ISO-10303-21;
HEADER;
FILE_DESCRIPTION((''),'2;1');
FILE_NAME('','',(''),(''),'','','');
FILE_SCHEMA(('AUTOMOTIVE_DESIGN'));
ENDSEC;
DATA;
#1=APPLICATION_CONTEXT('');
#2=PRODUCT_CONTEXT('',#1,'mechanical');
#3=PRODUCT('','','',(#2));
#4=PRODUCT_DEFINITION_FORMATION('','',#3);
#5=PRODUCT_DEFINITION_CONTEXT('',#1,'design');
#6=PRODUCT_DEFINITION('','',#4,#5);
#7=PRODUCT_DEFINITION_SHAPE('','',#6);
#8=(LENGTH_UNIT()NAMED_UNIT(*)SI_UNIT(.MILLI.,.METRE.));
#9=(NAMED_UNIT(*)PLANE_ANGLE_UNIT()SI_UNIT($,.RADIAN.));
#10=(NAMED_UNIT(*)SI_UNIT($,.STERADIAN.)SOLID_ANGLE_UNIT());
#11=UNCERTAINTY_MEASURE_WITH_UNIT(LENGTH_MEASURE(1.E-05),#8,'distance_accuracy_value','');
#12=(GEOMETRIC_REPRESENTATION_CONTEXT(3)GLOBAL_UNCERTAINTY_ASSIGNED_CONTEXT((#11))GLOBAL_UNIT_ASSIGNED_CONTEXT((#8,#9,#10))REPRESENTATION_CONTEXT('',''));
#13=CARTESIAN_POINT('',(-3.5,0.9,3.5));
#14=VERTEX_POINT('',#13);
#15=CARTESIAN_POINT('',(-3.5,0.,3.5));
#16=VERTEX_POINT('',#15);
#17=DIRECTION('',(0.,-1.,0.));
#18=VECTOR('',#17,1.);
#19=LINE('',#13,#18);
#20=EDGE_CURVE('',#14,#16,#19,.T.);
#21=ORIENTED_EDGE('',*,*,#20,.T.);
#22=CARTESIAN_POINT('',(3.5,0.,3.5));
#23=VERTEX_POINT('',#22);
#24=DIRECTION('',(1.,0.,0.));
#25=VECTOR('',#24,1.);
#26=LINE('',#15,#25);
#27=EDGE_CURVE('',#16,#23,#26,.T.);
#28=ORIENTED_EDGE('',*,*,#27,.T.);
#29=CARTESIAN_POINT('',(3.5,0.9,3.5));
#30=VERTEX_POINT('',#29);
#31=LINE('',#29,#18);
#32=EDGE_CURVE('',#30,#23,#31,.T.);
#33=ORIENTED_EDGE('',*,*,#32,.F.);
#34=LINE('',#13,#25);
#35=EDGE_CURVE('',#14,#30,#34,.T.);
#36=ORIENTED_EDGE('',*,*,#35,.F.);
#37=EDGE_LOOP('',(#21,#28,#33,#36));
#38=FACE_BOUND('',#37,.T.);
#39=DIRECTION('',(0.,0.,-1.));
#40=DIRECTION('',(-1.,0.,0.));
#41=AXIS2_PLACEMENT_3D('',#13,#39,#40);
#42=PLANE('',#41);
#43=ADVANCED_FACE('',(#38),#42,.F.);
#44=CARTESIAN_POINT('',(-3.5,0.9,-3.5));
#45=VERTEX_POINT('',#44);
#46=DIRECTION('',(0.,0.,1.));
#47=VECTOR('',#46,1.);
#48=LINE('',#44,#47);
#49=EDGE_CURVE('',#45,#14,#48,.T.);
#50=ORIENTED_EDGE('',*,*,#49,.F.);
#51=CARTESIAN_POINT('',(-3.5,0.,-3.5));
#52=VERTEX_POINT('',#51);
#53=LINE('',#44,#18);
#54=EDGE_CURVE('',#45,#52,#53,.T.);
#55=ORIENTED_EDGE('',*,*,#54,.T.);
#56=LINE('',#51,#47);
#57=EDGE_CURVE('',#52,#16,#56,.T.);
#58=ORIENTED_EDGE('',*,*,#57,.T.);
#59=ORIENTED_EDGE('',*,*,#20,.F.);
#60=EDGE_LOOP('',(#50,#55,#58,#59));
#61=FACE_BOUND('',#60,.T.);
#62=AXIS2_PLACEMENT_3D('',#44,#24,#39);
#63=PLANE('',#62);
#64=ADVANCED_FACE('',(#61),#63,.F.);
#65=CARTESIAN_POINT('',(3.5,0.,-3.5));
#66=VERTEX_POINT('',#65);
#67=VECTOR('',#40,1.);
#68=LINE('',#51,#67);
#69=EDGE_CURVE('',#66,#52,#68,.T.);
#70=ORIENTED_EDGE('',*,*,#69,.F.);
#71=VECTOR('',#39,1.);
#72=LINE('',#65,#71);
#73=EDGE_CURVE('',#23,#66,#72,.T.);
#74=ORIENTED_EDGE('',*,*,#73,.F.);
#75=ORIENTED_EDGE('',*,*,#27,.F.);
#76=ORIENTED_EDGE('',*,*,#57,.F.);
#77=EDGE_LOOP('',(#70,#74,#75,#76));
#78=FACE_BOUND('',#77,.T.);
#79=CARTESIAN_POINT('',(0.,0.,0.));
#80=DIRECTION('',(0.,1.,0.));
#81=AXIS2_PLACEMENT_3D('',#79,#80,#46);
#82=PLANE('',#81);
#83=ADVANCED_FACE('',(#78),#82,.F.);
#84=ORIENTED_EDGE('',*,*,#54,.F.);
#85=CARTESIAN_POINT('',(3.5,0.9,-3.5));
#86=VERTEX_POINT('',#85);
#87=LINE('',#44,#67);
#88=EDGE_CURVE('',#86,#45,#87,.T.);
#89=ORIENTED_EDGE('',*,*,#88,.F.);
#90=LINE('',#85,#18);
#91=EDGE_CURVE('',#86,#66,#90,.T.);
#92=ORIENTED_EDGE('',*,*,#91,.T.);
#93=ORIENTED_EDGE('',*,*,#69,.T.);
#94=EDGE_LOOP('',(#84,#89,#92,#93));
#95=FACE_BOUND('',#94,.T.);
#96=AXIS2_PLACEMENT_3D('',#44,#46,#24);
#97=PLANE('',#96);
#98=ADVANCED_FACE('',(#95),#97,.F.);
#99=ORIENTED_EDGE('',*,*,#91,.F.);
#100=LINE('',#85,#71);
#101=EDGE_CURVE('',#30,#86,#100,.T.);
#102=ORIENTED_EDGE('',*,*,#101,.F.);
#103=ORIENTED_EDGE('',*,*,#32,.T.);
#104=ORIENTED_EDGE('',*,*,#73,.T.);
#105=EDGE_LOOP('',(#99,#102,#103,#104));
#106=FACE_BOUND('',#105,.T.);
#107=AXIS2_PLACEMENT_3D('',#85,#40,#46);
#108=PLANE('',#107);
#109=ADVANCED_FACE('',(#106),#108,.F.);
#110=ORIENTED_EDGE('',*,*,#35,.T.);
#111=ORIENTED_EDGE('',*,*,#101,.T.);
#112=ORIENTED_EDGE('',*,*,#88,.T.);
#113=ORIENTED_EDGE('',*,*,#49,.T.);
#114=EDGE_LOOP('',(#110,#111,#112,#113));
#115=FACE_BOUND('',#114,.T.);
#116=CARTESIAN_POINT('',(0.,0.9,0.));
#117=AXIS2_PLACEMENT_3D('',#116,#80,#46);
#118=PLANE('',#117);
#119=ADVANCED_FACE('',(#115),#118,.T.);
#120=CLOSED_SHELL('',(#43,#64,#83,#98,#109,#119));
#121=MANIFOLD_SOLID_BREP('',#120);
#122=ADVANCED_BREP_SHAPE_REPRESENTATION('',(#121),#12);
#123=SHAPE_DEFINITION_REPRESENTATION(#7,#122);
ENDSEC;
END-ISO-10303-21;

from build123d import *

# Parameters (mm, degrees)
BASES_W    = 7
BASES_H    = 7
BASE_DEPTH = 0.9


with BuildPart() as part:
    # BaseS → Base (new body)
    with BuildSketch(Plane(origin=(0, 0, 0), x_dir=(1, 0, 0), z_dir=(0, 1, 0))):
        Rectangle(BASES_W, BASES_H)
    extrude(amount=BASE_DEPTH)


solid = part.part
